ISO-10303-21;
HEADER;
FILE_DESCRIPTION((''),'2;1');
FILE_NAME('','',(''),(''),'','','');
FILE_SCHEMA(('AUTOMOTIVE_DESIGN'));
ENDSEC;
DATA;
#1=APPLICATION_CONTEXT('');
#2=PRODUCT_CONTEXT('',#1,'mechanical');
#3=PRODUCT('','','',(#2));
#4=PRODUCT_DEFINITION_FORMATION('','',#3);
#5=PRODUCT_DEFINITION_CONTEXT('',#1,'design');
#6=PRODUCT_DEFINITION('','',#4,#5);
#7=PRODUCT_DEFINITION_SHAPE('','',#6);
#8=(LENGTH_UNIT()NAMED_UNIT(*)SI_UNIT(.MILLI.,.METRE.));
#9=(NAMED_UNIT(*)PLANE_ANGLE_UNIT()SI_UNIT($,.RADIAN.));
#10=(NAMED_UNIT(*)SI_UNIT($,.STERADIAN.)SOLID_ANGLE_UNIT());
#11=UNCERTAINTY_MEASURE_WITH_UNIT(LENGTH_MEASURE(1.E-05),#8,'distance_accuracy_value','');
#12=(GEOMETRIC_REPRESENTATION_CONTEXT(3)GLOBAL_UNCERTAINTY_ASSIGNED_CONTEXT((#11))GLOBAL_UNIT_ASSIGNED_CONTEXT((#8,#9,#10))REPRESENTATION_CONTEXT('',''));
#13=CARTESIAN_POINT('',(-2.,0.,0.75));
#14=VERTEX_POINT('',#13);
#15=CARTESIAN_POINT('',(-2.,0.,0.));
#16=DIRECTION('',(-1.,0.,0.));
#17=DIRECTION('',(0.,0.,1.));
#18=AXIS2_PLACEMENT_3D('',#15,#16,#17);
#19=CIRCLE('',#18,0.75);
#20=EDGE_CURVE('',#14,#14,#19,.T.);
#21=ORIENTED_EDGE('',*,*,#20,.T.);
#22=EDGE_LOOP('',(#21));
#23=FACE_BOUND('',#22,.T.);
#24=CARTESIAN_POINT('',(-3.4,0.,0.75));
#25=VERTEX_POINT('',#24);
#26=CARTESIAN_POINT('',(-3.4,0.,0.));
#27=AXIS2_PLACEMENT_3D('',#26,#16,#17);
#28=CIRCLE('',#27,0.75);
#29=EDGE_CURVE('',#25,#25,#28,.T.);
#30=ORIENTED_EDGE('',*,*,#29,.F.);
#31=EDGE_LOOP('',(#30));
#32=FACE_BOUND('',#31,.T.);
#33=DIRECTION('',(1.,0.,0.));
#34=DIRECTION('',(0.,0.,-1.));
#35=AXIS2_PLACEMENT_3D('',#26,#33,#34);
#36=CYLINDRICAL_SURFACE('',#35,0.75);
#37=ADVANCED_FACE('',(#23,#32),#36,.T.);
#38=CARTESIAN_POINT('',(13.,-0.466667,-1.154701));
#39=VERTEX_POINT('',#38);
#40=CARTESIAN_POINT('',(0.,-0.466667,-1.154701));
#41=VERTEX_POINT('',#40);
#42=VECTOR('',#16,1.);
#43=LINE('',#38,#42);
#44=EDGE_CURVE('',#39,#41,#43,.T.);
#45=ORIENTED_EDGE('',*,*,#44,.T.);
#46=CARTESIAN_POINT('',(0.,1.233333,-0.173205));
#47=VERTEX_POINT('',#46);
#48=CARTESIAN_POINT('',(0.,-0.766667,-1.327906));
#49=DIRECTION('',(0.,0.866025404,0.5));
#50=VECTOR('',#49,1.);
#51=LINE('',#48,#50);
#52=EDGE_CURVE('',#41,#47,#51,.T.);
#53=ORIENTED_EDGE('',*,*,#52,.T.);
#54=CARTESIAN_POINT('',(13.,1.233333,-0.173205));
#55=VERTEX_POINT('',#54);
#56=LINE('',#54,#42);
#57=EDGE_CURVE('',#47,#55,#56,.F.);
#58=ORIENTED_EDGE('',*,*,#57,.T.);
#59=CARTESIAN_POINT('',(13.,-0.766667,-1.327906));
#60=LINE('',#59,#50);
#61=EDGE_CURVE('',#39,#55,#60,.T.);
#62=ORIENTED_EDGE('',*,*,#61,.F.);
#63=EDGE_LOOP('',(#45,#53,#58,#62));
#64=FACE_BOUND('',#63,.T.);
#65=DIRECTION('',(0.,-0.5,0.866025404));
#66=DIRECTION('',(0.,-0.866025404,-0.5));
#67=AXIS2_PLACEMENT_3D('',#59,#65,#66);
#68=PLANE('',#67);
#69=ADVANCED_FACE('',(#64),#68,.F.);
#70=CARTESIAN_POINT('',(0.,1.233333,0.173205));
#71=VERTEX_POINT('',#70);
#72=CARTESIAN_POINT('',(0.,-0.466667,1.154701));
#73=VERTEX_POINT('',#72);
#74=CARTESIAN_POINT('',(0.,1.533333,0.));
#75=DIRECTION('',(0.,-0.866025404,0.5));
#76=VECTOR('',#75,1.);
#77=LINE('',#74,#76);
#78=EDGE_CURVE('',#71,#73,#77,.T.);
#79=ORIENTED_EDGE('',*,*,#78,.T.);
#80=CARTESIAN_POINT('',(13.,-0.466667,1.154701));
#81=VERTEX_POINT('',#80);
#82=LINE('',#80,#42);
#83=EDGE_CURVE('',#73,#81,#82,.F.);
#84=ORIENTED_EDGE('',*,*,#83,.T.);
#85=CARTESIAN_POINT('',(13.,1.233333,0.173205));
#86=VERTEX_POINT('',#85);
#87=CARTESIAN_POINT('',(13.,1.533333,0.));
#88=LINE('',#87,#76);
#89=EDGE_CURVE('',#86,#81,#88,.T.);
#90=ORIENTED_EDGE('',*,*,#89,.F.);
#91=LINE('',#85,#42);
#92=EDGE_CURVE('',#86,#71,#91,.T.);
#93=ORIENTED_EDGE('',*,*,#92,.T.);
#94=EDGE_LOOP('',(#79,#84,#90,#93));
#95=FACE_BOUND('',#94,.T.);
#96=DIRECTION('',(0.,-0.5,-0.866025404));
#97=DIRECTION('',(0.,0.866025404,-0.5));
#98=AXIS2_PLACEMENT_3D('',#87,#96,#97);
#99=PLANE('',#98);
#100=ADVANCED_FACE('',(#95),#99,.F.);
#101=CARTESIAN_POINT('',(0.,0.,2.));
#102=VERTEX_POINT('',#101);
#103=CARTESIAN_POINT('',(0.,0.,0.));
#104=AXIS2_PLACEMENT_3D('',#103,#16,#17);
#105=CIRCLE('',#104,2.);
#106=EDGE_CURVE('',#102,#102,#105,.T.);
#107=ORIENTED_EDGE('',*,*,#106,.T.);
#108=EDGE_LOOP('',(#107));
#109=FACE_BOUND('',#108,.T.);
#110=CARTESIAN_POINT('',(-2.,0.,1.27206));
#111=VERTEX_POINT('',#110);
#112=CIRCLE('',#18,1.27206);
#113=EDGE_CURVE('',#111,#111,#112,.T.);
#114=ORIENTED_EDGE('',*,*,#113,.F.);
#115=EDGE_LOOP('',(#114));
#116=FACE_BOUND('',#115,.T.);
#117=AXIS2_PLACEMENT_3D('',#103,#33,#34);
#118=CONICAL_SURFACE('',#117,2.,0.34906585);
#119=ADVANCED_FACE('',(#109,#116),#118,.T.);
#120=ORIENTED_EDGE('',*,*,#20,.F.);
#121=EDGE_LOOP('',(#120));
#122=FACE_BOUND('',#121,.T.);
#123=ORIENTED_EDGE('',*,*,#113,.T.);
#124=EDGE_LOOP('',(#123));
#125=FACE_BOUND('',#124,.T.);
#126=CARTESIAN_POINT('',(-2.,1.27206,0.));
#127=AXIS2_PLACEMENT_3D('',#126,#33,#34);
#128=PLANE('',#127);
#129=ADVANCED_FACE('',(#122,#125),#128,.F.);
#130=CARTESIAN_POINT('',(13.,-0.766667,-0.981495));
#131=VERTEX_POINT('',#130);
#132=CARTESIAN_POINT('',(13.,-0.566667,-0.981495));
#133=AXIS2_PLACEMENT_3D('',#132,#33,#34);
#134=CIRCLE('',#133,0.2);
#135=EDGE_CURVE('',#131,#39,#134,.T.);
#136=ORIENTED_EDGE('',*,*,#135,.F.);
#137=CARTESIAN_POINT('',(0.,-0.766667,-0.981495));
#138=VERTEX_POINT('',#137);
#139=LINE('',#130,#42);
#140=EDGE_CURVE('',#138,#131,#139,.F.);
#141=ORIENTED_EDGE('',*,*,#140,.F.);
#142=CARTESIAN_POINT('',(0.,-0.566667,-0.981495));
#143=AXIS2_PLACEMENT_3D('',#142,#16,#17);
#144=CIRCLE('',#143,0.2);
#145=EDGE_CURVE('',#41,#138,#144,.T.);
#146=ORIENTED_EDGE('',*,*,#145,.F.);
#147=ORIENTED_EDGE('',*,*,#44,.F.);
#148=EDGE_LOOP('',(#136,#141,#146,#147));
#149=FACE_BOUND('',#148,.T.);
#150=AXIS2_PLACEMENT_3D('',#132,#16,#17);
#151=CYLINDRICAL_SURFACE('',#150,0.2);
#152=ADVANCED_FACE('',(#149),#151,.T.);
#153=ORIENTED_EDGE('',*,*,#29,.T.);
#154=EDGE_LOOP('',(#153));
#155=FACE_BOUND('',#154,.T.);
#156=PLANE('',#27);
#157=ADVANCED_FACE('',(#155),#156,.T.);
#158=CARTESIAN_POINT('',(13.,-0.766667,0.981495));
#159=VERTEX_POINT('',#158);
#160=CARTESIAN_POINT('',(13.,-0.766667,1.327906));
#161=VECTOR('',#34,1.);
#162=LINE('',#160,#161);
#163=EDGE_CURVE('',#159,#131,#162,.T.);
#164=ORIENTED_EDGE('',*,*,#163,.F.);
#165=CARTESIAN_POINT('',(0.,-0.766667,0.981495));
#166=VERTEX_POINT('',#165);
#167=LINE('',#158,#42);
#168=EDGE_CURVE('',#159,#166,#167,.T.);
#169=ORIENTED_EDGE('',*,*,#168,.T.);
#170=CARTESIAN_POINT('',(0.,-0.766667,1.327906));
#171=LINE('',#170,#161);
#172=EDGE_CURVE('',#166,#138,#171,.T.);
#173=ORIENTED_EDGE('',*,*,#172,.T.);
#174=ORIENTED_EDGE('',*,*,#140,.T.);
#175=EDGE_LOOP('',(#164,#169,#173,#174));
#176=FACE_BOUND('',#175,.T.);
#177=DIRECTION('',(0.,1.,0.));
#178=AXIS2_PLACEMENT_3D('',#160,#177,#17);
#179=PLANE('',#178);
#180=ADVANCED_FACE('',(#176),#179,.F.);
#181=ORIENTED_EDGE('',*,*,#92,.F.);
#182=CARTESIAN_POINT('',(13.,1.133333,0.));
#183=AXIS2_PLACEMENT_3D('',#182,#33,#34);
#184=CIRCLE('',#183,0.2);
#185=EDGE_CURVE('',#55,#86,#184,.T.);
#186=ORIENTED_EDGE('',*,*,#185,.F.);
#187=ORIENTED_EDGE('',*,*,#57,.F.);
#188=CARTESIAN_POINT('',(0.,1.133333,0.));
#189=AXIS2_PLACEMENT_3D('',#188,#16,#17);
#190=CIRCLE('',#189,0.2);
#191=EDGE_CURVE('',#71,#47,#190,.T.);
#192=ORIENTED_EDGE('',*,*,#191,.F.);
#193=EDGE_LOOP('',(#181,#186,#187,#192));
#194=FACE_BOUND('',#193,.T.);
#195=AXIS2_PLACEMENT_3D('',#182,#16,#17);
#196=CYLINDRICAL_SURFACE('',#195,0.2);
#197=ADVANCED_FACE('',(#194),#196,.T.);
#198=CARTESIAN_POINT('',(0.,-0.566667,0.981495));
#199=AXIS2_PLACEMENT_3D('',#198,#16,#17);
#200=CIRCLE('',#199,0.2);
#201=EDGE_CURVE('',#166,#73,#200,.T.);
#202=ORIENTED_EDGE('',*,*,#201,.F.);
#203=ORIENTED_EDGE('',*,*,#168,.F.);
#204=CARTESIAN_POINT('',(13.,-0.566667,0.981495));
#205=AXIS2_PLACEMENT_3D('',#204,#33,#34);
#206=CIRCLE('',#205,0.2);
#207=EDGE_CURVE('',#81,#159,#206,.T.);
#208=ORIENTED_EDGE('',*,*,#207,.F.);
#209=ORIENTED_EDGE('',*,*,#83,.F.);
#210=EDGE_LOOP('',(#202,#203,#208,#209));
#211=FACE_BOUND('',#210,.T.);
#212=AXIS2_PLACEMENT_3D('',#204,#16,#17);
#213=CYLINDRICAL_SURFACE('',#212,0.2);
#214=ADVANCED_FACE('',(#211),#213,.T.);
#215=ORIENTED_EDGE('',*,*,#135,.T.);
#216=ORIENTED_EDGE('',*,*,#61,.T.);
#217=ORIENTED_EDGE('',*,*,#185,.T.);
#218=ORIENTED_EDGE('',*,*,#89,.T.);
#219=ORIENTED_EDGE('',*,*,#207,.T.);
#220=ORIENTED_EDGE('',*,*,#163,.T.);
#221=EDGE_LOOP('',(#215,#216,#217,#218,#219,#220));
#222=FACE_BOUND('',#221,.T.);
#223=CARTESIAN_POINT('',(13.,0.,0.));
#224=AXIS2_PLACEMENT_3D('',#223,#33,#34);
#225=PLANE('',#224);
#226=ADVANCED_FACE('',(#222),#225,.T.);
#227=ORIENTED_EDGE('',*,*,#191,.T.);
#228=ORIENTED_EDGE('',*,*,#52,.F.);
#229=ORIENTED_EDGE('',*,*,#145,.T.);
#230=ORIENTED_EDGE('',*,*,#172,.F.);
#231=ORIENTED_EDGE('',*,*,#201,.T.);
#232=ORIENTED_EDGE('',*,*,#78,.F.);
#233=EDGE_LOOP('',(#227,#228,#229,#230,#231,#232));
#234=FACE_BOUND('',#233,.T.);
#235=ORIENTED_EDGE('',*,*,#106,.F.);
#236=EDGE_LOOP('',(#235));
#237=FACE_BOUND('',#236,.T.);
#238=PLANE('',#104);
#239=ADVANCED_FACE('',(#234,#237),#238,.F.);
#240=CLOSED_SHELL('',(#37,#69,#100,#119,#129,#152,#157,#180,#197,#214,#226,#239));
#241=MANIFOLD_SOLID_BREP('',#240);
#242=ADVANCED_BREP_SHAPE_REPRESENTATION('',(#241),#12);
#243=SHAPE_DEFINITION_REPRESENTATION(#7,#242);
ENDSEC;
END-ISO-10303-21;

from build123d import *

# Parameters (mm, degrees)
BOSS_EXTRUDE1_DEPTH = 13
SKETCH3_R           = 0.75
BOSS_EXTRUDE2_DEPTH = 1.4
FILLET1_R           = 0.2


with BuildPart() as part:
    # Sketch1 → Revolve1 (revolve)
    with BuildSketch(Plane.XY, mode=Mode.PRIVATE) as revolve1_sk:
        Polygon((0, 0), (0, 2), (-2, 1.272059531), (-2, 0), align=None)
    revolve(revolve1_sk.sketch.rotate(Axis((-2, 0, 0), (1, 0, 0)), 90), axis=Axis((-2, 0, 0), (1, 0, 0)))

    # Sketch2 → Boss-Extrude1 (add)
    with BuildSketch(Plane(origin=(0, 0, 0), x_dir=(0, 0, -1), z_dir=(1, 0, 0))):
        Polygon((0, 1.533333333), (-1.327905619, -0.766666667), (1.327905619, -0.766666667), align=None)
    extrude(amount=BOSS_EXTRUDE1_DEPTH)

    # Sketch3 → Boss-Extrude2 (add)
    with BuildSketch(Plane.ZY.offset(2)):
        Circle(SKETCH3_R)
    extrude(amount=BOSS_EXTRUDE2_DEPTH)

    # Fillet1
    fillet1_edges = [part.edges().sort_by_distance(p)[0] for p in [
        (6.5, -0.766666667, -1.327905619),
        (6.5, 1.533333333, 0),
        (6.5, -0.766666667, 1.327905619),
    ]]
    fillet(fillet1_edges, radius=FILLET1_R)


solid = part.part
